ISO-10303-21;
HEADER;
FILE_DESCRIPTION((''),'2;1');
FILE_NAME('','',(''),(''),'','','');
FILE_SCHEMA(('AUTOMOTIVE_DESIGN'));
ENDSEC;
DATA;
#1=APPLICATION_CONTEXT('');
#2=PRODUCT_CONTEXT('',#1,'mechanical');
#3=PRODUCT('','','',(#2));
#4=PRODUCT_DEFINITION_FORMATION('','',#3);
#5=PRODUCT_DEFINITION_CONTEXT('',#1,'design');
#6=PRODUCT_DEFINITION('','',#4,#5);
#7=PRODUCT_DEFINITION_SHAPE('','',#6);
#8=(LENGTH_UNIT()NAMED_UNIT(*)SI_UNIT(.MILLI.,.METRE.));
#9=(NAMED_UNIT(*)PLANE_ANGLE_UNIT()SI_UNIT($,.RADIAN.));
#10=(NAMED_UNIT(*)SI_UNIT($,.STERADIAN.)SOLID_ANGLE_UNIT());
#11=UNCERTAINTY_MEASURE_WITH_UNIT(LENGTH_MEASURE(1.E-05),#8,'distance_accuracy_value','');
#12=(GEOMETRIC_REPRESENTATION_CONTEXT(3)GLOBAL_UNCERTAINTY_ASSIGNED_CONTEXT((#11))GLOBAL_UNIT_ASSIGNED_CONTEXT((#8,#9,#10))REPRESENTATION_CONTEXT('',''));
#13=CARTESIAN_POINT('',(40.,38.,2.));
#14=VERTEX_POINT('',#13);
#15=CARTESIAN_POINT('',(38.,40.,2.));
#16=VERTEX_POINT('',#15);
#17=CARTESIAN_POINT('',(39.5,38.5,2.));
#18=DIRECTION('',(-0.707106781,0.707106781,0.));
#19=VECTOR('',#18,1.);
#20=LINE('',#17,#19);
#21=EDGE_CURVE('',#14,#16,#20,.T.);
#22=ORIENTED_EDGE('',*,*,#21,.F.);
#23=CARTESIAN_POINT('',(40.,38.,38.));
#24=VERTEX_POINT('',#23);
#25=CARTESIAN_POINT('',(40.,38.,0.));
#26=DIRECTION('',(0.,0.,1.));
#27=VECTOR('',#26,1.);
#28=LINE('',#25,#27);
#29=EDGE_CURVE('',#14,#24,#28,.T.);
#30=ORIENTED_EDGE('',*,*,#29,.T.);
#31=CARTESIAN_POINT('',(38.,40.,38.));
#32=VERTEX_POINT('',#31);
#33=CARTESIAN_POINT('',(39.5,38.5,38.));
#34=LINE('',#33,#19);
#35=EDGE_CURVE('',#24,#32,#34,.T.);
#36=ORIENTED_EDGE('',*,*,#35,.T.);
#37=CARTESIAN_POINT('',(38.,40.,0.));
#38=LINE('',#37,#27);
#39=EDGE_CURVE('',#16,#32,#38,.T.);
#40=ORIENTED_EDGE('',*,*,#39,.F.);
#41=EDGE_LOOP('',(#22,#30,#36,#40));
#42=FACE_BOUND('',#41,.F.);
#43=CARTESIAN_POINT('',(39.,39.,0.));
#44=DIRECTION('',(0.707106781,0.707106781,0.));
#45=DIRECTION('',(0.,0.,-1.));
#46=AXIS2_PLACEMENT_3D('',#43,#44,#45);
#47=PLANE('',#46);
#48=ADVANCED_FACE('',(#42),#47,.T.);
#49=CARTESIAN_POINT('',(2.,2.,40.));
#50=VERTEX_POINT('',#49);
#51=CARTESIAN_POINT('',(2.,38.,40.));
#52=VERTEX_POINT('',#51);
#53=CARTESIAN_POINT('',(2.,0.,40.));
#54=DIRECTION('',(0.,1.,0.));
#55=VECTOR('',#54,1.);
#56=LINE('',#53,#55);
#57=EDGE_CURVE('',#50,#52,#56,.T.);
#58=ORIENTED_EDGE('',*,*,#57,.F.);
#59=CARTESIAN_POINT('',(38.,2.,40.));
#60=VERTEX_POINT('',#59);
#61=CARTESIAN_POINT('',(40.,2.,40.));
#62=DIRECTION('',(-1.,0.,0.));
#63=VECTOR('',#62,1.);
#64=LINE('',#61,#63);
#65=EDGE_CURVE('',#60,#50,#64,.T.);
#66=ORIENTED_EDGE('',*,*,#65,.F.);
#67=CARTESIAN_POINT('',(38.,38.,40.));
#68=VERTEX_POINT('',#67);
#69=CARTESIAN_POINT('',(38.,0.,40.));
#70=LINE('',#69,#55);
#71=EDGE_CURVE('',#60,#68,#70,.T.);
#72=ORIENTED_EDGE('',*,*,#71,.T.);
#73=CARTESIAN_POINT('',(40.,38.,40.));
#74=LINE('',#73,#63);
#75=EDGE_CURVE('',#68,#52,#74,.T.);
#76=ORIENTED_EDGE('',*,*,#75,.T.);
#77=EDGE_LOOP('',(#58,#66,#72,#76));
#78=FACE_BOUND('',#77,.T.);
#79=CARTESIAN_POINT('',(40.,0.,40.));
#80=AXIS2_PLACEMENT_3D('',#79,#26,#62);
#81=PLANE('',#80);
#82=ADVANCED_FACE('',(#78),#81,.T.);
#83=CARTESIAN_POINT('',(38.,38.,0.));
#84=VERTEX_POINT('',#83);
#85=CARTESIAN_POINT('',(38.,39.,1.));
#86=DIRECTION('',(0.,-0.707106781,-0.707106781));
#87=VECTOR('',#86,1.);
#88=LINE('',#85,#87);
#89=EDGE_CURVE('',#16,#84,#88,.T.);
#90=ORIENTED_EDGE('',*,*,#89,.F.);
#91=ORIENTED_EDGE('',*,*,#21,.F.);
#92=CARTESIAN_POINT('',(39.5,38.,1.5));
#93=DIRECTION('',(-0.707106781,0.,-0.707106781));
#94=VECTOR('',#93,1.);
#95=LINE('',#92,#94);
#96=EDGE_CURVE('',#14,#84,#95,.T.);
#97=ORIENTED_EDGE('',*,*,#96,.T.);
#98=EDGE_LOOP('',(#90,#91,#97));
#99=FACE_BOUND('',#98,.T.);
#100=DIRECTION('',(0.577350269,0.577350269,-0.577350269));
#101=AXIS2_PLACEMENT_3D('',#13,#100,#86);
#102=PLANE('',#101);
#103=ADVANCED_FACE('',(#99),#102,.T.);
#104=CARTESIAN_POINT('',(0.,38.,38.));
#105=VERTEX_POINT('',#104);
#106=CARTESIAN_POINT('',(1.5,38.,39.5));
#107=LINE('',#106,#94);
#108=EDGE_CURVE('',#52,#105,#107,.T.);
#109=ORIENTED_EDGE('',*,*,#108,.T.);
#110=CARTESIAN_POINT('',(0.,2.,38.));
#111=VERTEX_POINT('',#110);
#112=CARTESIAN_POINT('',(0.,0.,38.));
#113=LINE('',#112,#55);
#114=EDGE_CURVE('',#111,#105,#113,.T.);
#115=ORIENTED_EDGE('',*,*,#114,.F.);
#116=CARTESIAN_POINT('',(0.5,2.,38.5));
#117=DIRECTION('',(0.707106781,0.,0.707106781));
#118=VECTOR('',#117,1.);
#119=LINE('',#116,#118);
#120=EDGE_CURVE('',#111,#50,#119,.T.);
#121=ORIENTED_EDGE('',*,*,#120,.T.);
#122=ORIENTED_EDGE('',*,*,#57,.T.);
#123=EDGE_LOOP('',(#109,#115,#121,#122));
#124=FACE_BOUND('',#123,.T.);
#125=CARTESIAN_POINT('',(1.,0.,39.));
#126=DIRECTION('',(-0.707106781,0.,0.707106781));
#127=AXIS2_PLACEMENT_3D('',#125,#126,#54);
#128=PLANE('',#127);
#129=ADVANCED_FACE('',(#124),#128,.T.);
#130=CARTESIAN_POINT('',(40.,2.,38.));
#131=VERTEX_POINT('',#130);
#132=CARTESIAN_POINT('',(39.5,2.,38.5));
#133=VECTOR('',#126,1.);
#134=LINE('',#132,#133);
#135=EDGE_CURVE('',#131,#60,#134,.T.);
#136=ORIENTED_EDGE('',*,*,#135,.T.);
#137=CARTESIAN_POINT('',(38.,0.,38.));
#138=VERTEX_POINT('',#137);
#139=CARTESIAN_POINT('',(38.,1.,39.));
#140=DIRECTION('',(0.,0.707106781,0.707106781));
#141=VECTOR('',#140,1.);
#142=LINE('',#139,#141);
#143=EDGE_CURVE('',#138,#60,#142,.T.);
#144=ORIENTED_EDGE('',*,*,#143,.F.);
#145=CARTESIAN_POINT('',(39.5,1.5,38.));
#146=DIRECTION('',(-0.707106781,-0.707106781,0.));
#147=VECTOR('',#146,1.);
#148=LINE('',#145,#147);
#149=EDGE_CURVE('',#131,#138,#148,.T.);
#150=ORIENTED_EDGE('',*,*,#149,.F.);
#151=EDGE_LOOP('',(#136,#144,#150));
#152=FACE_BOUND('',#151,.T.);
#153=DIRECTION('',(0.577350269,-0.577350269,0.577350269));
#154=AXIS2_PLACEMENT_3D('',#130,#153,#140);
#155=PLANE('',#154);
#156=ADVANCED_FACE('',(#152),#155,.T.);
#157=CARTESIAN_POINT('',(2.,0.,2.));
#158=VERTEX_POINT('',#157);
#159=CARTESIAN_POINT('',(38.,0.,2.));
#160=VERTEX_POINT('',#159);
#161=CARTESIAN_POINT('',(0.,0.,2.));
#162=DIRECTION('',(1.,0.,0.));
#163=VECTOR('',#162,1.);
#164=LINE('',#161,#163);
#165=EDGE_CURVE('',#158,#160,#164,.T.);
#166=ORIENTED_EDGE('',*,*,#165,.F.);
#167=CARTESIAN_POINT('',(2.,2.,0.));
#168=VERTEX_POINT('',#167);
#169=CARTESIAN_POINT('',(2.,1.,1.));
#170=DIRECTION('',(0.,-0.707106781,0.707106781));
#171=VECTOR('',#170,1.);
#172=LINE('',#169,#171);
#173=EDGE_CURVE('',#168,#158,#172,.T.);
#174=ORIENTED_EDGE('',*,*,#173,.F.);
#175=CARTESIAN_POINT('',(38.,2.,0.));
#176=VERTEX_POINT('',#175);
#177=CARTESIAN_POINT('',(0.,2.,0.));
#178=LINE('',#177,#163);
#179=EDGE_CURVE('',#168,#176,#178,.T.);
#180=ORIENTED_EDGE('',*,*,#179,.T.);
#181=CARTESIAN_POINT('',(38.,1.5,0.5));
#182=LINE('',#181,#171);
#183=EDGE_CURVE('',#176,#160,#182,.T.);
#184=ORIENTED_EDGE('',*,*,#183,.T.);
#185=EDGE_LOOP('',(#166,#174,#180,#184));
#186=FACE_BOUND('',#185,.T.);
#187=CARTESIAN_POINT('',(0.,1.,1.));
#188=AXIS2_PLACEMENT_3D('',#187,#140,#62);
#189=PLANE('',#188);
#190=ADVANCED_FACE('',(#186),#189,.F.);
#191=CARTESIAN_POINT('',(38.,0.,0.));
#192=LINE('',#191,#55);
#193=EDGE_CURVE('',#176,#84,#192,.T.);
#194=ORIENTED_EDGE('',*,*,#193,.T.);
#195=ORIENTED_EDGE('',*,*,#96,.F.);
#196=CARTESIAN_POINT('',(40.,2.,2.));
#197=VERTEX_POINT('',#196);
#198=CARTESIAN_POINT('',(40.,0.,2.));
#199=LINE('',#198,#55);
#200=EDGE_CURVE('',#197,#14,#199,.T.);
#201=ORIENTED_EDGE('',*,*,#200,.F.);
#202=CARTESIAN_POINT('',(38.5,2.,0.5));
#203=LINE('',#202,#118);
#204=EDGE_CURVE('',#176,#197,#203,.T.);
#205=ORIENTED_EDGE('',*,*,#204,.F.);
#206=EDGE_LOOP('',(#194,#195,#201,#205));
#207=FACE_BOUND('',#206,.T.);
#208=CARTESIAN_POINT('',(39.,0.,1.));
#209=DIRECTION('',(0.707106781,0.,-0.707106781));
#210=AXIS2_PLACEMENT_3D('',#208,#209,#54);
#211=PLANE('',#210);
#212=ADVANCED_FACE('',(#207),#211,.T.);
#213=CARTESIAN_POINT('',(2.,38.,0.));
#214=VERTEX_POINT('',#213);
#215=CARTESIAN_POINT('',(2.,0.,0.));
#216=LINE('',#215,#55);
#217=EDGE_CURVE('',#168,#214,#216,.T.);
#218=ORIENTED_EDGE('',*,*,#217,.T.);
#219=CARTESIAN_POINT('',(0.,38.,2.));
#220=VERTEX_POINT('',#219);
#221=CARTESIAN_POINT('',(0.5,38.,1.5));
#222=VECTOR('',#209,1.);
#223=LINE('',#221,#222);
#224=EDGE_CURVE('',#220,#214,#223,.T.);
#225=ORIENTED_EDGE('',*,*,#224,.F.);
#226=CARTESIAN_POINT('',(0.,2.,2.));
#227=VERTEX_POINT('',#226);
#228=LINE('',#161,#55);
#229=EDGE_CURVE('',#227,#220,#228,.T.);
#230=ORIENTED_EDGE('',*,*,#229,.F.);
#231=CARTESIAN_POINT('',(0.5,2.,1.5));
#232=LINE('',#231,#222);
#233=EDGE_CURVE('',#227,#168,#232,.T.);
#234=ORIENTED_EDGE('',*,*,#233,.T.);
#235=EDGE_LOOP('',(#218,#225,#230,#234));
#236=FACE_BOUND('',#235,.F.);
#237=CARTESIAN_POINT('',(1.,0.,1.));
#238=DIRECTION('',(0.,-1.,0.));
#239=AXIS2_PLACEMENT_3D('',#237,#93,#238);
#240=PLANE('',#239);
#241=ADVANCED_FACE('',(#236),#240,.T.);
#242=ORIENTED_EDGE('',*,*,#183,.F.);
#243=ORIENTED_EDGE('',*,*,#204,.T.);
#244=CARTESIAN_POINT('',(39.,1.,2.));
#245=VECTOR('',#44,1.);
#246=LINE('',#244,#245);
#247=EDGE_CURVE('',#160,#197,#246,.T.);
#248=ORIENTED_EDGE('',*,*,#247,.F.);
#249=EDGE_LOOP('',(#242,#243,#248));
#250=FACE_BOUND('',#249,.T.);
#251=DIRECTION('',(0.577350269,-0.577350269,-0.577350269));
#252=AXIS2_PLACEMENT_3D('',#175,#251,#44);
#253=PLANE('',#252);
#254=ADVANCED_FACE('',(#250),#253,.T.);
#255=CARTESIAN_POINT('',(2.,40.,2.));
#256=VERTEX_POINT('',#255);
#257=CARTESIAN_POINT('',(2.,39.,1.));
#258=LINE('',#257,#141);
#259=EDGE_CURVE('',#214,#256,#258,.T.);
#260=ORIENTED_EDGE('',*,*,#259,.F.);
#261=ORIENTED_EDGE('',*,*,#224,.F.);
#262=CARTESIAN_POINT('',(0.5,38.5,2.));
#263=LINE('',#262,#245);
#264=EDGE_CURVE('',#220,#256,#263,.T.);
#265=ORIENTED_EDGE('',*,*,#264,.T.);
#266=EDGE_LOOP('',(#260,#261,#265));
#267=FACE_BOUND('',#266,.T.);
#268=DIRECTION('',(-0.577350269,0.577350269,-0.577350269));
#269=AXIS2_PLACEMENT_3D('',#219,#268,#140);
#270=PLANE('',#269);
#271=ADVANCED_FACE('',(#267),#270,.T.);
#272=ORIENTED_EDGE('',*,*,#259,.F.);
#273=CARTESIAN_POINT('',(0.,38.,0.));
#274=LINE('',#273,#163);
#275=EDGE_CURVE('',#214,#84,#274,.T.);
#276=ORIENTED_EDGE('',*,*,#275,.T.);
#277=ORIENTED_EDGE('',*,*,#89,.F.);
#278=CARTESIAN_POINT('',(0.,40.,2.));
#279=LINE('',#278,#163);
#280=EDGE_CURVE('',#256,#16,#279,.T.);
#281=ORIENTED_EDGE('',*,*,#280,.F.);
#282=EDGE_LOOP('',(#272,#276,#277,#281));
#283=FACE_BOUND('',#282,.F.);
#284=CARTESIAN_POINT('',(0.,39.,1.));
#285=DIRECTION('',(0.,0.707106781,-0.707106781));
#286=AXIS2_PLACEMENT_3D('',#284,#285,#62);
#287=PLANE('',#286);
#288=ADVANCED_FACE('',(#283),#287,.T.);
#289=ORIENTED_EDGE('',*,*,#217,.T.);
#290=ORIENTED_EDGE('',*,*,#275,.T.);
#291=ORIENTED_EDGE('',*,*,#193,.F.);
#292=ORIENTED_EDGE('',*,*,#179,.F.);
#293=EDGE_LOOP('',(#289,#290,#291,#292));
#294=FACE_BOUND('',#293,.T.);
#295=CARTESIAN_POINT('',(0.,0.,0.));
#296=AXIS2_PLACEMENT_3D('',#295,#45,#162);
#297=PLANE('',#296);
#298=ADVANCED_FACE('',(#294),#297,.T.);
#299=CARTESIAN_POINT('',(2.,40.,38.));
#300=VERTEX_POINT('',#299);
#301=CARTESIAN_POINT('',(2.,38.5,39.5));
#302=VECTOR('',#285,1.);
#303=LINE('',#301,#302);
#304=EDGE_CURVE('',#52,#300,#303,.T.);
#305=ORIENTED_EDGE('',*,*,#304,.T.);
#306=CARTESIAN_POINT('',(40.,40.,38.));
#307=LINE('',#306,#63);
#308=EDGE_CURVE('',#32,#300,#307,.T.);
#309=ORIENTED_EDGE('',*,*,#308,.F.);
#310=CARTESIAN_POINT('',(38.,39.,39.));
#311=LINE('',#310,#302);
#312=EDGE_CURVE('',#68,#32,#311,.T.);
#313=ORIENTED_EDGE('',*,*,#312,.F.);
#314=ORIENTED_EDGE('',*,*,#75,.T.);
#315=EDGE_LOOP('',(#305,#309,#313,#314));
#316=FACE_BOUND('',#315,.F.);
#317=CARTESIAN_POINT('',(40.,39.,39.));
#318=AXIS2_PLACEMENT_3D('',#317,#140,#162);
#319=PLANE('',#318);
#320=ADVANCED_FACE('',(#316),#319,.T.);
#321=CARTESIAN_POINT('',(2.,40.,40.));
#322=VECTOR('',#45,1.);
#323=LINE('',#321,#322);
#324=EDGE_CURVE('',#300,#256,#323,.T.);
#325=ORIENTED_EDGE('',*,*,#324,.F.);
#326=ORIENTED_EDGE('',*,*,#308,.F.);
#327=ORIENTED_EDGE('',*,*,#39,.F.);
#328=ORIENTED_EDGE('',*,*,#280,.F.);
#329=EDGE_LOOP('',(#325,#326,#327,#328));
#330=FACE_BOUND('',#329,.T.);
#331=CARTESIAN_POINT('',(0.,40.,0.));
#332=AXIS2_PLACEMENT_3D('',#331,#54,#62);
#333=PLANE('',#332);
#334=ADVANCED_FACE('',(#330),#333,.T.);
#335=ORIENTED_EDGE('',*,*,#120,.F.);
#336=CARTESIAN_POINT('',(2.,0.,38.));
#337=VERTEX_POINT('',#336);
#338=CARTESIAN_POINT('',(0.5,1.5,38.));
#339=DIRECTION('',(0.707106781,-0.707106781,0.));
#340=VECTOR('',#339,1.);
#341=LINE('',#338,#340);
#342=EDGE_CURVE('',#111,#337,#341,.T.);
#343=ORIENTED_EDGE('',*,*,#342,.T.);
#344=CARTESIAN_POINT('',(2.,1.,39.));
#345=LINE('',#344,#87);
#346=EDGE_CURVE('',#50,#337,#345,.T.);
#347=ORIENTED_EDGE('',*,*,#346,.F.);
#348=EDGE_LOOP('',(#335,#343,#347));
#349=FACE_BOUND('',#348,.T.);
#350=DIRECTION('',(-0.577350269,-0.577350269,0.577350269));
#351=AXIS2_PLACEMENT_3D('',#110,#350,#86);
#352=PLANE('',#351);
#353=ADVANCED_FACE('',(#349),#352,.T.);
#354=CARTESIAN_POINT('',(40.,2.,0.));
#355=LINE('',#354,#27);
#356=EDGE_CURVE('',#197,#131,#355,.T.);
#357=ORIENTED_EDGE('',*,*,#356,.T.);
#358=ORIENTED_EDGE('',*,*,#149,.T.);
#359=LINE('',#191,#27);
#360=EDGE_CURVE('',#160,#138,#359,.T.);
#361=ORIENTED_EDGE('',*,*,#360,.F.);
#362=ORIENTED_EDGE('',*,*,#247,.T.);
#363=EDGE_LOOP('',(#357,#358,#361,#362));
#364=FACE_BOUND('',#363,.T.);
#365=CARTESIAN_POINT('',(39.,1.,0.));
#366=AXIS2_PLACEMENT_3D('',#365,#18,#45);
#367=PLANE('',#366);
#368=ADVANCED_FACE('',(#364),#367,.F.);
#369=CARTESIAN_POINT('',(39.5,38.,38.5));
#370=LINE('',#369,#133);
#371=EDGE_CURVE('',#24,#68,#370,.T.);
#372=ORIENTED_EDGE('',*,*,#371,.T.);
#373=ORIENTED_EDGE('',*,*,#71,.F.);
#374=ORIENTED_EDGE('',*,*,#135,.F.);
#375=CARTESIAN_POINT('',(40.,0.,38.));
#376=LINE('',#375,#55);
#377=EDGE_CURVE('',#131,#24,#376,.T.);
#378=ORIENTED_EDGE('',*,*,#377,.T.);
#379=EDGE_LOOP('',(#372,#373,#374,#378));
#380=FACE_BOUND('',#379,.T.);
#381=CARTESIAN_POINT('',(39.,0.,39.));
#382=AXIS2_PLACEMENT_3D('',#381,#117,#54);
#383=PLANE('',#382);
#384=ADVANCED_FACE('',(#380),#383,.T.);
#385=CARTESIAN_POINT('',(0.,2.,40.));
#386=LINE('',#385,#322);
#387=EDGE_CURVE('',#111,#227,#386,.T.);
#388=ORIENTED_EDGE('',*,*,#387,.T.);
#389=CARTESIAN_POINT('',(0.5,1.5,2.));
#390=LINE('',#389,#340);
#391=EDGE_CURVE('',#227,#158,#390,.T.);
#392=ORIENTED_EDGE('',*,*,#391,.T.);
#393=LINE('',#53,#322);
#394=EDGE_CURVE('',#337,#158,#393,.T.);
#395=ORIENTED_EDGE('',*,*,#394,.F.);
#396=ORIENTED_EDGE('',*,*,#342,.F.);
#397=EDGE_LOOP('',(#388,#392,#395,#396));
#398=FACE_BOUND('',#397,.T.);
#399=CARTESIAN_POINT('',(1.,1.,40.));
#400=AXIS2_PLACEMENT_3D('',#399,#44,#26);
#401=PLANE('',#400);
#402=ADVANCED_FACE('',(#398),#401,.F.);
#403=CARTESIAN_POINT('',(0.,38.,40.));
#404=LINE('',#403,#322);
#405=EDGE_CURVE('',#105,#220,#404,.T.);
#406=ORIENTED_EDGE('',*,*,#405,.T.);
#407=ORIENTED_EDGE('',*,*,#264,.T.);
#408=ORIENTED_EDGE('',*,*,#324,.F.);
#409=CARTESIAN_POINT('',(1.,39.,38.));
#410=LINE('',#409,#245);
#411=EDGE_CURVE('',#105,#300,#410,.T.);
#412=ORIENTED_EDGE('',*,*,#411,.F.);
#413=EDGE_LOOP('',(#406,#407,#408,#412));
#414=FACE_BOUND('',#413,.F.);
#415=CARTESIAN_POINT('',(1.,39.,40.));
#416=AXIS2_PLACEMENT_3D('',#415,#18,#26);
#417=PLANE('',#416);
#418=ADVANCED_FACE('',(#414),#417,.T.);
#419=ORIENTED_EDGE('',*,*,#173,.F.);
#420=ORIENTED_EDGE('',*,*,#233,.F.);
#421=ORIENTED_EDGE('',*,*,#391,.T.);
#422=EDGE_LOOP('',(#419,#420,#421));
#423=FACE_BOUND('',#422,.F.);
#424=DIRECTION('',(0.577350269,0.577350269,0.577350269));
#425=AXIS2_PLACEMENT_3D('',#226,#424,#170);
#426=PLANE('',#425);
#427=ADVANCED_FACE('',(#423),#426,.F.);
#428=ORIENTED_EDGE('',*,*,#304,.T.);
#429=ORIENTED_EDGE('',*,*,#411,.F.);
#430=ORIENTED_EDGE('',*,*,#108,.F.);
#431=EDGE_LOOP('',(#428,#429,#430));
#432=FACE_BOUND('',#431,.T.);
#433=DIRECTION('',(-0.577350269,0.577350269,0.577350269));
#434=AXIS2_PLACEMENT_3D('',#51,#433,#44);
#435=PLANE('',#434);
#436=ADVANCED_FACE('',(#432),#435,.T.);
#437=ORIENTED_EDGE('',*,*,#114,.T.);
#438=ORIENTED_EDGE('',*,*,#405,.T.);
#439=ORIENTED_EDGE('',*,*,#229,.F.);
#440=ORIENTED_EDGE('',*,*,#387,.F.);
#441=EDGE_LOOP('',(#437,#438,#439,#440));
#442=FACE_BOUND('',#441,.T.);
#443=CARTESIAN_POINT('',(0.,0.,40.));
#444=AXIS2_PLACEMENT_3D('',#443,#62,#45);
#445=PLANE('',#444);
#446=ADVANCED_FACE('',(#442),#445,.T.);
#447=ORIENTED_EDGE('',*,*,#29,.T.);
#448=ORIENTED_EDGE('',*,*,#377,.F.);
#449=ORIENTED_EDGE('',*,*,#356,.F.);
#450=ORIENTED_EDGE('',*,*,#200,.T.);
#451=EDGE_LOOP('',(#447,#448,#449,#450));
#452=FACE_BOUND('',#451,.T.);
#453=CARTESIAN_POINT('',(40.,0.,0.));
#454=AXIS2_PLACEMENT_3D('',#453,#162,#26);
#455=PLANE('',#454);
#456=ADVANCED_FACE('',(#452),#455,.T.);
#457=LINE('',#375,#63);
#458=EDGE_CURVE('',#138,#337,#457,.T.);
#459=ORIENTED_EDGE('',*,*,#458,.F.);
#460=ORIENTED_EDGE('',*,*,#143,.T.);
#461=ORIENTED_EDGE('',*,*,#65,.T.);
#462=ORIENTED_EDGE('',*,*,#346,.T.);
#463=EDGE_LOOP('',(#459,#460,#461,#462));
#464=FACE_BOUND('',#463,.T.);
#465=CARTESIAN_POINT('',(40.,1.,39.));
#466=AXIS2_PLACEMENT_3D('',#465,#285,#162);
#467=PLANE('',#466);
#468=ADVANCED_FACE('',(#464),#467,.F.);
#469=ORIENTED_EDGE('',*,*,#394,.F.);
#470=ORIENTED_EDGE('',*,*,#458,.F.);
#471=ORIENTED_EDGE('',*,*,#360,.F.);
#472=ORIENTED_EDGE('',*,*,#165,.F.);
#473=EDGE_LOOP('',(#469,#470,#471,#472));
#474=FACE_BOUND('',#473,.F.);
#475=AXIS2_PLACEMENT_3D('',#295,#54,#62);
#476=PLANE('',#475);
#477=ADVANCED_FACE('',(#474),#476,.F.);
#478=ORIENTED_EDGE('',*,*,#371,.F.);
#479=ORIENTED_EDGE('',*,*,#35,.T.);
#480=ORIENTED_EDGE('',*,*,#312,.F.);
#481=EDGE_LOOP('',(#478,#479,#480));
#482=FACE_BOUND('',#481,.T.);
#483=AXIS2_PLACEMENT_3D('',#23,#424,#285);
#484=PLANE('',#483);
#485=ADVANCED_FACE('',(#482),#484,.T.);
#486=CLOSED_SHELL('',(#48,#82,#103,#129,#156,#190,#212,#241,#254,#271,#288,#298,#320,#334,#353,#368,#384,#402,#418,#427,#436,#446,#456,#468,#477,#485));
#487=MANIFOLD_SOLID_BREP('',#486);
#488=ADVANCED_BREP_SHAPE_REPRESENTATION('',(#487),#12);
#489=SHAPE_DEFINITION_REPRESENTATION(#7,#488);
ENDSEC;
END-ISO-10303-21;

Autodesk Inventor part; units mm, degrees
ref_plane "YZ Plane" through (0, 0, 0) normal (1, 0, 0) x (0, 1, 0)
ref_plane "XZ Plane" through (0, 0, 0) normal (0, 1, 0) x (-1, 0, 0)
ref_plane "XY Plane" through (0, 0, 0) normal (0, 0, 1) x (1, 0, 0)
sketch "Sketch1" plane through (0, 0, 0) normal (0, 1, 0) x (-1, 0, 0)
  line L0 (0, 0) -> (-40, 0)
  line L1 (-40, 0) -> (-40, 40)
  line L2 (-40, 40) -> (0, 40)
  line L3 (0, 40) -> (0, 0)
  dimension "d0" = 40
  dimension "d1" = 40
extrude "Extrusion1" add sketch "Sketch1" along normal blind 40
chamfer "Chamfer1" distance 2 angle 45 12 edges at (20, 0, 40) (40, 0, 20) (20, 40, 0) (20, 0, 0) (0, 20, 0) (0, 40, 20) (0, 20, 40) (0, 0, 20) (20, 40, 40) (40, 20, 40) (40, 40, 20) (40, 20, 0)
equation "\"d0\" = CUBE_D"
equation "\"d1\" = CUBE_D"
equation "\"d2\" = CUBE_D"
equation "\"CUBE_D\" = 40"
properties part number "CUBE"
